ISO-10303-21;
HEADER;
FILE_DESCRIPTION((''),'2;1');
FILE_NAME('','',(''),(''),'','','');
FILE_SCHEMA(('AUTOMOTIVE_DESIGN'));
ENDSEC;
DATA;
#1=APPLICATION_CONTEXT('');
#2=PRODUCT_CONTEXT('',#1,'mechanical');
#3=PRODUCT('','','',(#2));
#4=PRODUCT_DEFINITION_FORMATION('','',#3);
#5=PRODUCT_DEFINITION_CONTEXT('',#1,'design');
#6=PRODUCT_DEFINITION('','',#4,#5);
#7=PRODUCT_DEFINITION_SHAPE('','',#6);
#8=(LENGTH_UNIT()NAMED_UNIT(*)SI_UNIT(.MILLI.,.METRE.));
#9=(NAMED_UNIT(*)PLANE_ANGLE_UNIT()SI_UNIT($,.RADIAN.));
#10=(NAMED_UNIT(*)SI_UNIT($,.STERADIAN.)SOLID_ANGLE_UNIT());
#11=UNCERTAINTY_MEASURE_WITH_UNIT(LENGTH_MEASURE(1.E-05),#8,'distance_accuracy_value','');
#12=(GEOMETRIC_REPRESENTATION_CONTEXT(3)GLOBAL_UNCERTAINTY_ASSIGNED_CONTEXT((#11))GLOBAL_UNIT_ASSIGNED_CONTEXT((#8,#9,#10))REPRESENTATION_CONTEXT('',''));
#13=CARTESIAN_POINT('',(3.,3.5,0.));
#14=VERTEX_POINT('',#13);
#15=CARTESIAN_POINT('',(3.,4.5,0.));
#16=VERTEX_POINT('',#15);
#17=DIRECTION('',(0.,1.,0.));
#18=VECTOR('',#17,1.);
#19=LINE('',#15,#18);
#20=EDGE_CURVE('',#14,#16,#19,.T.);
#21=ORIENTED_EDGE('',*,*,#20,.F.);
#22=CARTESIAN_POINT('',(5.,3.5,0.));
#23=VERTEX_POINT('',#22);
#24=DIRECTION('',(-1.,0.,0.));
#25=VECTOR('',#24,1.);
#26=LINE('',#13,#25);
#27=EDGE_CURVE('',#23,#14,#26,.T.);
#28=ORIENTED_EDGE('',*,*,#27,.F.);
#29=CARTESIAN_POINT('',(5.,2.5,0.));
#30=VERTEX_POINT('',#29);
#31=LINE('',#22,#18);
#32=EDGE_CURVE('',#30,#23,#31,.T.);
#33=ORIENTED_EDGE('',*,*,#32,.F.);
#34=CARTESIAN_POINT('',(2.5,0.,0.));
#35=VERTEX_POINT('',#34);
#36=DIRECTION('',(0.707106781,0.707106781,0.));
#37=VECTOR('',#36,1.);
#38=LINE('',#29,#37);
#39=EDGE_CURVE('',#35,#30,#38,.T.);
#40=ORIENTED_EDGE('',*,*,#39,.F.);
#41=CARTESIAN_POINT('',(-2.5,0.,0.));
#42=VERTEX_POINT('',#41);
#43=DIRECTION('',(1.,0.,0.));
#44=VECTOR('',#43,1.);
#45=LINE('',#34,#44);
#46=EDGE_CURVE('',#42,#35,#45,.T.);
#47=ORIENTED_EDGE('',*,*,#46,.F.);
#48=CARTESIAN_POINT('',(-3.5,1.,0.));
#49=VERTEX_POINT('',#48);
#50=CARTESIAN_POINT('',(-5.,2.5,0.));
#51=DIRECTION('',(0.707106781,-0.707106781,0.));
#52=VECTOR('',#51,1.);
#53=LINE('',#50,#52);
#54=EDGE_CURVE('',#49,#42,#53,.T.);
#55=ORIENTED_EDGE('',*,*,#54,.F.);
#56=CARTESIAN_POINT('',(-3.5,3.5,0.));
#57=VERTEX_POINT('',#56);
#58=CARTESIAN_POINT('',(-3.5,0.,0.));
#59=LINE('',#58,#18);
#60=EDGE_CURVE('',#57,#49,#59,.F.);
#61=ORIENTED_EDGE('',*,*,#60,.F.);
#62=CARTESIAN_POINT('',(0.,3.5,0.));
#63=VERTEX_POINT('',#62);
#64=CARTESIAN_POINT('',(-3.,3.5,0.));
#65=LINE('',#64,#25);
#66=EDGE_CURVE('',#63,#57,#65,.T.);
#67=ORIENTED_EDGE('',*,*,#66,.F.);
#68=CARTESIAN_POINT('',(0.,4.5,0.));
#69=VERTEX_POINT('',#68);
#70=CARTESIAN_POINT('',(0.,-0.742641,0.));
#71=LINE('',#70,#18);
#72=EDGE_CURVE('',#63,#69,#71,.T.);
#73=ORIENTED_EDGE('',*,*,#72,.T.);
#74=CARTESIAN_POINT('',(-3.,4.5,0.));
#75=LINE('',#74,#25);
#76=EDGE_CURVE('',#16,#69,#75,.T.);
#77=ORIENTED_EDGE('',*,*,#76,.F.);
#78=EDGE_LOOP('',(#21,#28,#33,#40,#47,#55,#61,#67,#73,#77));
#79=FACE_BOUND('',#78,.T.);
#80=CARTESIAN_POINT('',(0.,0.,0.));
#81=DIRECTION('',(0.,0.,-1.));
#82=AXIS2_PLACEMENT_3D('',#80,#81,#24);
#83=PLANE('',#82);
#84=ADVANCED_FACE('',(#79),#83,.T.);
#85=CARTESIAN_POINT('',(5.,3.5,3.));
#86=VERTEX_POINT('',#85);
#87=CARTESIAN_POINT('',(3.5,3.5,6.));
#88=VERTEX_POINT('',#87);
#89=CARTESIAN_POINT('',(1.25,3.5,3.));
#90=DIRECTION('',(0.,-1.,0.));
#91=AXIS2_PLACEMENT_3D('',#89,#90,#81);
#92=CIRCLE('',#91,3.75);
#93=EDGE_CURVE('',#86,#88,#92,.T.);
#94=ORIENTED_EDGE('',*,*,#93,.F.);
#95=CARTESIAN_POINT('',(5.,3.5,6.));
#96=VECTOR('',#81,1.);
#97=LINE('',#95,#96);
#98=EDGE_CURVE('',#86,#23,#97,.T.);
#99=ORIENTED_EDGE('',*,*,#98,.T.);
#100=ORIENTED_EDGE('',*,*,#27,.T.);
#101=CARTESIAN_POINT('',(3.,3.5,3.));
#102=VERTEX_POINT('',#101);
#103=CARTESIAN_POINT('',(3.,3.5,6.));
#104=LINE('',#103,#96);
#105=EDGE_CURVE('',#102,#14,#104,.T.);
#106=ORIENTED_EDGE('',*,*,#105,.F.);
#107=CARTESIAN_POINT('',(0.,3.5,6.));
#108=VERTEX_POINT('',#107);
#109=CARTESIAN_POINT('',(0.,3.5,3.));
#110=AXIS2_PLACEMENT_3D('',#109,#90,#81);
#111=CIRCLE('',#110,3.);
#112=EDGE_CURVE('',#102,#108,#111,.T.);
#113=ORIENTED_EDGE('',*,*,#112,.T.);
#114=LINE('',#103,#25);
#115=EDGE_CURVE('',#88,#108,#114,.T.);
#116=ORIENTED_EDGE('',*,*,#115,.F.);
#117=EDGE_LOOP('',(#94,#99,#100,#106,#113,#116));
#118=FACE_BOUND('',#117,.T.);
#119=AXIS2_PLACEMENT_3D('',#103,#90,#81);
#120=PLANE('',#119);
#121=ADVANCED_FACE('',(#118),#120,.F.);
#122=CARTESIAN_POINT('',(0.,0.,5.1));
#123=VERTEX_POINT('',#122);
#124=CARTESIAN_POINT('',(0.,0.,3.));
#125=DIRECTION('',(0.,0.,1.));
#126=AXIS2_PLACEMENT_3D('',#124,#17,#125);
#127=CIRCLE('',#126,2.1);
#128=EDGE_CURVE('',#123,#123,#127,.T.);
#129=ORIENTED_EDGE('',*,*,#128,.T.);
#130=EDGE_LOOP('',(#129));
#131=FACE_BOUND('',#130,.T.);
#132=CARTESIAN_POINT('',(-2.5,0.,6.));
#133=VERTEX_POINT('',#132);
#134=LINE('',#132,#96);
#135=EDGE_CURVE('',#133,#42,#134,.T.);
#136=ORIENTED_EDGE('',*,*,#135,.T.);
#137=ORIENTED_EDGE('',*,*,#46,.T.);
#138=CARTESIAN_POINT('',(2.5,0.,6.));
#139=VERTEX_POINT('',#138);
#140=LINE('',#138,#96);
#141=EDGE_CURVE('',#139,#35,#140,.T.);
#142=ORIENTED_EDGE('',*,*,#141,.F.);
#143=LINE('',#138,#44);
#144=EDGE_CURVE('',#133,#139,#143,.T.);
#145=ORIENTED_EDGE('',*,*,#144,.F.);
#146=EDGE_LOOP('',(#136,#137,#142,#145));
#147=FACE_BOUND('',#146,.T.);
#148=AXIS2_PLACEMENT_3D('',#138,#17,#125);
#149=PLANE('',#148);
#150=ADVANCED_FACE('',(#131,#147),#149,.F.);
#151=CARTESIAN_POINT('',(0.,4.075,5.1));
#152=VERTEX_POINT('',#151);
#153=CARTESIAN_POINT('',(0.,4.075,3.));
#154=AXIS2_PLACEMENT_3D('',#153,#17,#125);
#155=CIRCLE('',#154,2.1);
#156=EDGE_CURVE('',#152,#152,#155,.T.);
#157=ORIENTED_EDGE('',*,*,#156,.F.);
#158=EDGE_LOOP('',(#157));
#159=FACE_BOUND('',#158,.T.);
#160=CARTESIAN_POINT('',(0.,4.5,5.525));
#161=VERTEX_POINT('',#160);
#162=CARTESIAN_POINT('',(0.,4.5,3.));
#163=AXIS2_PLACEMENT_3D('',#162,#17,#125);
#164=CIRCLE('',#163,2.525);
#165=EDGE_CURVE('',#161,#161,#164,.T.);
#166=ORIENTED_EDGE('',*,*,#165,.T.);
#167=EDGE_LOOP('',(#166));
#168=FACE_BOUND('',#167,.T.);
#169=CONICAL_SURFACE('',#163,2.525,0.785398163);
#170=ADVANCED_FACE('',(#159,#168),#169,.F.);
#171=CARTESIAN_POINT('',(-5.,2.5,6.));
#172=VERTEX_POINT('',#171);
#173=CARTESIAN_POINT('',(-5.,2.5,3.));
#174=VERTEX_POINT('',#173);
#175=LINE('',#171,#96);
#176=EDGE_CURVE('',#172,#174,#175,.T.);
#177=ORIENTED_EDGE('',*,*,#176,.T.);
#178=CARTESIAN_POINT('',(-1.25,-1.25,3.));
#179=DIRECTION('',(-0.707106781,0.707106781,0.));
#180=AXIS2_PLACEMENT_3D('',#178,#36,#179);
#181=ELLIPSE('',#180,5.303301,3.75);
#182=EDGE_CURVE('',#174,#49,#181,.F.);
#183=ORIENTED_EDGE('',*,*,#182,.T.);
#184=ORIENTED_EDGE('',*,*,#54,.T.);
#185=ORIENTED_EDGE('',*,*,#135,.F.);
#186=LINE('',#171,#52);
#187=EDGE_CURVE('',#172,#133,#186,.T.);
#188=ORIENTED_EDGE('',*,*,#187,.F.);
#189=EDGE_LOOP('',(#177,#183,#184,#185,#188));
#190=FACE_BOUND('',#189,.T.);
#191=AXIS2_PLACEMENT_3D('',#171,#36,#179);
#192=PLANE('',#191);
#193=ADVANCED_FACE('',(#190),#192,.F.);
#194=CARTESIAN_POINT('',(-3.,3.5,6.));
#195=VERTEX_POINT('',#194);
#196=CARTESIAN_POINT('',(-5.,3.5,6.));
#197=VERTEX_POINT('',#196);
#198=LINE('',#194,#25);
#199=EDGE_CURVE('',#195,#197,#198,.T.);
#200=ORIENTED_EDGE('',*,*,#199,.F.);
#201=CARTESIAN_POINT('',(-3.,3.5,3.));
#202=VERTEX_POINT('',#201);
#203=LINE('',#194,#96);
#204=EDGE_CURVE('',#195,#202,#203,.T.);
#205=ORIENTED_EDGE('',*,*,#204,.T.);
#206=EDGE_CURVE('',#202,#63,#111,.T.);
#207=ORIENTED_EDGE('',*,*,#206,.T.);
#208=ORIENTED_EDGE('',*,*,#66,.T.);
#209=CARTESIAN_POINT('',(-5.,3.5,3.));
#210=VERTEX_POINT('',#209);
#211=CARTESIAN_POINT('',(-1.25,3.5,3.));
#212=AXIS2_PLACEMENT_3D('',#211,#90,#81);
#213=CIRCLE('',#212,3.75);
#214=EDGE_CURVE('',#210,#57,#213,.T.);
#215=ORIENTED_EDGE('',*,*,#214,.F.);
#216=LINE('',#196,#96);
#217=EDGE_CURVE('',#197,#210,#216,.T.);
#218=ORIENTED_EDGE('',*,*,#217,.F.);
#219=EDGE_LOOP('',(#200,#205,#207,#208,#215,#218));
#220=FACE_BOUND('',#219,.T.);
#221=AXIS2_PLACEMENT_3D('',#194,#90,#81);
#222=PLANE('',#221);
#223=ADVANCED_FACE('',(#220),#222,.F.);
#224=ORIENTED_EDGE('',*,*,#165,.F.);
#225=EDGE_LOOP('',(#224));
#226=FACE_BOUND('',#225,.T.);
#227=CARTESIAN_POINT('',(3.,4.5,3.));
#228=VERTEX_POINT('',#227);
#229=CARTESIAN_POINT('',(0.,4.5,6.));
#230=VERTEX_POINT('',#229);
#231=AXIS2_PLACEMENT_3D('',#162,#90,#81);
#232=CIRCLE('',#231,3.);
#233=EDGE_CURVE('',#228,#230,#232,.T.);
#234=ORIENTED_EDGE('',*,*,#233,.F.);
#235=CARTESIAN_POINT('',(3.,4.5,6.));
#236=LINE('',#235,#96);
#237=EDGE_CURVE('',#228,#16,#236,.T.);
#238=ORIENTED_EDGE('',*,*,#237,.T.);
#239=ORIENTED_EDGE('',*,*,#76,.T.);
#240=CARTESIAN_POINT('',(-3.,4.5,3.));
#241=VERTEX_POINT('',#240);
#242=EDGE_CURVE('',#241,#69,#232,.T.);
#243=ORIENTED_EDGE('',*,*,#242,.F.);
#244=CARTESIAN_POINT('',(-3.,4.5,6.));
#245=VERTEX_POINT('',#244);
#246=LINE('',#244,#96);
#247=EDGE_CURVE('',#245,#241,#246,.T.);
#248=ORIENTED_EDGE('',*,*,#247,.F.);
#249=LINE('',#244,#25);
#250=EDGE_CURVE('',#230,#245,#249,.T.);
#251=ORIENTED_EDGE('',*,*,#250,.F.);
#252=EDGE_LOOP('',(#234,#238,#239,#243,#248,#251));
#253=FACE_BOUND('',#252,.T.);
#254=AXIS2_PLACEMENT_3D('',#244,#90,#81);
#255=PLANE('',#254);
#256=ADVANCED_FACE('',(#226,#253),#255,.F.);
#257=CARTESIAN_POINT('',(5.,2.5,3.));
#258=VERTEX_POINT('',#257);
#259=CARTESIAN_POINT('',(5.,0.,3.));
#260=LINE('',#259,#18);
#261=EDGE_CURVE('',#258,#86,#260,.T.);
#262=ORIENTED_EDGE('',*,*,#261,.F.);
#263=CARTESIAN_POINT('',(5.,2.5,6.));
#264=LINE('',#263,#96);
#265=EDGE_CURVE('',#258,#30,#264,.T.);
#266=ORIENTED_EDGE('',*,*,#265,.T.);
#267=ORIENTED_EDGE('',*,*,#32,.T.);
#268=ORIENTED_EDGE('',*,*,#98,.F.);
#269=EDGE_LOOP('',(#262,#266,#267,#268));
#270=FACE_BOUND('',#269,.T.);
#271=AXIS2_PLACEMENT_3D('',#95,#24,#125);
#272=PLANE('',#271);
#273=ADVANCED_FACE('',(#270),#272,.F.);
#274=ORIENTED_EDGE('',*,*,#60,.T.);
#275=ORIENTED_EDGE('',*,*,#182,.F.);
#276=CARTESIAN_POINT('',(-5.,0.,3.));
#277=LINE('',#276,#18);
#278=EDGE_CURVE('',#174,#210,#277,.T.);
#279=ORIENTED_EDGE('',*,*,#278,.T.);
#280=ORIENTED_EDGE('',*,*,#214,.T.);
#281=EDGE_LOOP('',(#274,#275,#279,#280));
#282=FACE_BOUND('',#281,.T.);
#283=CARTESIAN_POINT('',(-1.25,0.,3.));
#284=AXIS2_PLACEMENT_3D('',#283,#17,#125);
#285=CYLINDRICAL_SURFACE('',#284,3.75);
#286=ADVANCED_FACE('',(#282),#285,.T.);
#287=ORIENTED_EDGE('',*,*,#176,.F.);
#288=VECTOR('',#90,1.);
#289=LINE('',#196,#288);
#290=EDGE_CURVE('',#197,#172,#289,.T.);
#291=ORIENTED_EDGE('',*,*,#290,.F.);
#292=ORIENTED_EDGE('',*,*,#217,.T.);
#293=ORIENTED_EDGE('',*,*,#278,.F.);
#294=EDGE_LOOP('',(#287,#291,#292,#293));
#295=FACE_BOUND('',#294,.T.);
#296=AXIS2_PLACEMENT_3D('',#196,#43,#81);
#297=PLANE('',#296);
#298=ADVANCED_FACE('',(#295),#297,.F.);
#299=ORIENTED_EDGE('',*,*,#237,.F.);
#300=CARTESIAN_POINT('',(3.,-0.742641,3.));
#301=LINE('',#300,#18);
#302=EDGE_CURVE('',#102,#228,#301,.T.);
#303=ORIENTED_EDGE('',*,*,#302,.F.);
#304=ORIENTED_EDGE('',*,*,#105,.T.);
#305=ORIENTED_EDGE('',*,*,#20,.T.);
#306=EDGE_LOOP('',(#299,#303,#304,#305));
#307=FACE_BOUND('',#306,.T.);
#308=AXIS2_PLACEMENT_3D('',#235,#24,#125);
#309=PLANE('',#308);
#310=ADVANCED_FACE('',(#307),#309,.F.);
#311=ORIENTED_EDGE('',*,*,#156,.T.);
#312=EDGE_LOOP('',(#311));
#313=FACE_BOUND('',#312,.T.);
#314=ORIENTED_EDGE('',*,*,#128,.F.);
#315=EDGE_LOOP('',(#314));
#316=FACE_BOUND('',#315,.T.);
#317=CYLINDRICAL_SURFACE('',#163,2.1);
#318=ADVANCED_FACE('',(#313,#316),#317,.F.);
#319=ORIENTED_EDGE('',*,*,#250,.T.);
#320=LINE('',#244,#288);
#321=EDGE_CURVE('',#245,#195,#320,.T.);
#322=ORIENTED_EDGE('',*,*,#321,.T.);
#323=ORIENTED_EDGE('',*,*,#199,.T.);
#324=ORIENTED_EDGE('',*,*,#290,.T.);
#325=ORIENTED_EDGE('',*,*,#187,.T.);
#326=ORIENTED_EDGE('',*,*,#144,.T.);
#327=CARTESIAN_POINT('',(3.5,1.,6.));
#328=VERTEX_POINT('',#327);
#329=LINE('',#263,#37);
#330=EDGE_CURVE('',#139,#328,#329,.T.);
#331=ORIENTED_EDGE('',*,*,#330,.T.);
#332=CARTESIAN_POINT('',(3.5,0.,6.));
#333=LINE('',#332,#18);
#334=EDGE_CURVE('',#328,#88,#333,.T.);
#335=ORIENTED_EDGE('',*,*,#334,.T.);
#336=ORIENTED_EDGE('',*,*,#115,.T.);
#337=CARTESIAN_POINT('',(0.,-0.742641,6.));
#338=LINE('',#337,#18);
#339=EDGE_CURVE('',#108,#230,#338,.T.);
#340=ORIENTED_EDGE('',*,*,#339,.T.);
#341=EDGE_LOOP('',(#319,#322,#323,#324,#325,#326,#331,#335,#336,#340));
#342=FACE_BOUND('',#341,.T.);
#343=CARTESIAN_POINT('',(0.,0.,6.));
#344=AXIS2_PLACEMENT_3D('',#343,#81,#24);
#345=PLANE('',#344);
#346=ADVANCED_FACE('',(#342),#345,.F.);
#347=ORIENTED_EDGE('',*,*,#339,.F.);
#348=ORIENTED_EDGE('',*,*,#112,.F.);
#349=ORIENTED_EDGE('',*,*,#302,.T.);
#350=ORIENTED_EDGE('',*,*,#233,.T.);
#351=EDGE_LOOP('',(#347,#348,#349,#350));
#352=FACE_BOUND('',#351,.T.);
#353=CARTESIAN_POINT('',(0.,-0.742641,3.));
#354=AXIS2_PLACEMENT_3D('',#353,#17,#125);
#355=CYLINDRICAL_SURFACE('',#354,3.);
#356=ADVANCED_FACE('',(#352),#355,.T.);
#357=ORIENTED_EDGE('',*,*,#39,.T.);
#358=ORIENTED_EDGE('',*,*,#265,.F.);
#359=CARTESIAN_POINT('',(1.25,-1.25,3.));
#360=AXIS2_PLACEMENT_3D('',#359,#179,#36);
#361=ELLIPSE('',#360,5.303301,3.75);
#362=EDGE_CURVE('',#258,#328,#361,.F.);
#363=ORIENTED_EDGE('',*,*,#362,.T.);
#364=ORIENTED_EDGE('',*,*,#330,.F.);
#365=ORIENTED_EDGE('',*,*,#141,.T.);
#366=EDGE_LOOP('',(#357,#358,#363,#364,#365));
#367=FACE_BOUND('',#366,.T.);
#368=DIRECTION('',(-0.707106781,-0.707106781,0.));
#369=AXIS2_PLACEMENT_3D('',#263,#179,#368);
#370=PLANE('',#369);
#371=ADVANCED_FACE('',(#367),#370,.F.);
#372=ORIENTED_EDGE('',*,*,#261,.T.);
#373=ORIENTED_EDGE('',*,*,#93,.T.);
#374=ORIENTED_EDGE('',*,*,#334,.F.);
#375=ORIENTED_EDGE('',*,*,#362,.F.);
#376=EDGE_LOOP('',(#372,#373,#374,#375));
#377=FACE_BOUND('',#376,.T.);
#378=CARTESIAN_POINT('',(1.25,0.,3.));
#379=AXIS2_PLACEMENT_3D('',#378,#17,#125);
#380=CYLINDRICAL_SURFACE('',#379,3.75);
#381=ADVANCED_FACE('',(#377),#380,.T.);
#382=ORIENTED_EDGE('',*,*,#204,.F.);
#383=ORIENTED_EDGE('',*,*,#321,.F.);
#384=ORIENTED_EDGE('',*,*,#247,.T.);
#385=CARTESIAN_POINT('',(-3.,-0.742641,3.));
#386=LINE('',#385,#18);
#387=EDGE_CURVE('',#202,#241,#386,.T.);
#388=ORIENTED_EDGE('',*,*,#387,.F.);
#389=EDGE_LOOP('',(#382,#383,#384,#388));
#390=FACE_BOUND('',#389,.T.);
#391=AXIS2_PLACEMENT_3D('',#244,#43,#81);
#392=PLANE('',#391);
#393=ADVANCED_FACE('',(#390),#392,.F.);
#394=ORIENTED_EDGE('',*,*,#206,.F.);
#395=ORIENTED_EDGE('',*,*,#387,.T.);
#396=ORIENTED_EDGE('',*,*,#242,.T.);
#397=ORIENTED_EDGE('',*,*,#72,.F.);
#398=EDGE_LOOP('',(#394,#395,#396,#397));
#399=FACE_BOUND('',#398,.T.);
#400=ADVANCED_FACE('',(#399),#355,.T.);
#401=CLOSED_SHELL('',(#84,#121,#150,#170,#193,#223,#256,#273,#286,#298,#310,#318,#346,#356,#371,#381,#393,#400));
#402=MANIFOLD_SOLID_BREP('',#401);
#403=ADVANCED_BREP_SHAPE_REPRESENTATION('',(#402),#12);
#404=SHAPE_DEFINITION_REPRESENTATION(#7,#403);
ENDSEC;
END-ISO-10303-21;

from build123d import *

# Parameters (mm, degrees)
BOSS_EXTRUDE1_DEPTH             = 6
CUT_EXTRUDE1_DEPTH              = 1
CUT_EXTRUDE2_DEPTH              = 4.5
M5X0_8_TAPPED_HOLE1_D           = 4.2
M5X0_8_TAPPED_HOLE1_CSINK_D     = 5.05
M5X0_8_TAPPED_HOLE1_CSINK_ANGLE = 90


with BuildPart() as part:
    # Sketch1 → Boss-Extrude1 (new body)
    with BuildSketch(Plane.XY):
        Polygon((-3, 4.5), (3, 4.5), (3, 3.5), (5, 3.5), (5, 2.5), (2.5, 0), (-2.5, 0), (-5, 2.5), (-5, 3.5), (-3, 3.5), align=None)
    extrude(amount=BOSS_EXTRUDE1_DEPTH)

    # Sketch2 → Cut-Extrude1 (cut)
    with BuildSketch(Plane(origin=(0, 4.5, 0), x_dir=(1, 0, 0), z_dir=(0, 1, 0))):
        with BuildLine():
            Line((0, -6), (3, -6))
            Line((3, -6), (3, -3))
            ThreePointArc((3, -3), (2.121320344, -5.121320344), (0, -6))
        make_face()
        with BuildLine():
            Line((0, 0), (-3, 0))
            Line((-3, 0), (-3, -3))
            ThreePointArc((-3, -3), (-2.121320344, -0.878679656), (0, 0))
        make_face()
    extrude(amount=-CUT_EXTRUDE1_DEPTH, mode=Mode.SUBTRACT)

    # Sketch3 → Cut-Extrude2 (cut, through all)
    with BuildSketch(Plane(origin=(0, 3.5, 0), x_dir=(1, 0, 0), z_dir=(0, 1, 0))):
        with BuildLine():
            Line((5, -3), (5, -6))
            Line((5, -6), (3.5, -6))
            ThreePointArc((3.5, -6), (4.604101966, -4.677050983), (5, -3))
        make_face()
        with BuildLine():
            Line((-5, 0), (-3.5, 0))
            ThreePointArc((-3.5, 0), (-4.604101966, -1.322949017), (-5, -3))
            Line((-5, -3), (-5, 0))
        make_face()
    extrude(amount=-CUT_EXTRUDE2_DEPTH, mode=Mode.SUBTRACT)

    # M5x0.8 Tapped Hole1 (through all)
    with Locations(Plane(origin=(0, 4.5, 0), x_dir=(1, 0, 0), z_dir=(0, 1, 0))):
        with Locations((0, -3)):
            CounterSinkHole(M5X0_8_TAPPED_HOLE1_D / 2, M5X0_8_TAPPED_HOLE1_CSINK_D / 2, counter_sink_angle=M5X0_8_TAPPED_HOLE1_CSINK_ANGLE)


solid = part.part
